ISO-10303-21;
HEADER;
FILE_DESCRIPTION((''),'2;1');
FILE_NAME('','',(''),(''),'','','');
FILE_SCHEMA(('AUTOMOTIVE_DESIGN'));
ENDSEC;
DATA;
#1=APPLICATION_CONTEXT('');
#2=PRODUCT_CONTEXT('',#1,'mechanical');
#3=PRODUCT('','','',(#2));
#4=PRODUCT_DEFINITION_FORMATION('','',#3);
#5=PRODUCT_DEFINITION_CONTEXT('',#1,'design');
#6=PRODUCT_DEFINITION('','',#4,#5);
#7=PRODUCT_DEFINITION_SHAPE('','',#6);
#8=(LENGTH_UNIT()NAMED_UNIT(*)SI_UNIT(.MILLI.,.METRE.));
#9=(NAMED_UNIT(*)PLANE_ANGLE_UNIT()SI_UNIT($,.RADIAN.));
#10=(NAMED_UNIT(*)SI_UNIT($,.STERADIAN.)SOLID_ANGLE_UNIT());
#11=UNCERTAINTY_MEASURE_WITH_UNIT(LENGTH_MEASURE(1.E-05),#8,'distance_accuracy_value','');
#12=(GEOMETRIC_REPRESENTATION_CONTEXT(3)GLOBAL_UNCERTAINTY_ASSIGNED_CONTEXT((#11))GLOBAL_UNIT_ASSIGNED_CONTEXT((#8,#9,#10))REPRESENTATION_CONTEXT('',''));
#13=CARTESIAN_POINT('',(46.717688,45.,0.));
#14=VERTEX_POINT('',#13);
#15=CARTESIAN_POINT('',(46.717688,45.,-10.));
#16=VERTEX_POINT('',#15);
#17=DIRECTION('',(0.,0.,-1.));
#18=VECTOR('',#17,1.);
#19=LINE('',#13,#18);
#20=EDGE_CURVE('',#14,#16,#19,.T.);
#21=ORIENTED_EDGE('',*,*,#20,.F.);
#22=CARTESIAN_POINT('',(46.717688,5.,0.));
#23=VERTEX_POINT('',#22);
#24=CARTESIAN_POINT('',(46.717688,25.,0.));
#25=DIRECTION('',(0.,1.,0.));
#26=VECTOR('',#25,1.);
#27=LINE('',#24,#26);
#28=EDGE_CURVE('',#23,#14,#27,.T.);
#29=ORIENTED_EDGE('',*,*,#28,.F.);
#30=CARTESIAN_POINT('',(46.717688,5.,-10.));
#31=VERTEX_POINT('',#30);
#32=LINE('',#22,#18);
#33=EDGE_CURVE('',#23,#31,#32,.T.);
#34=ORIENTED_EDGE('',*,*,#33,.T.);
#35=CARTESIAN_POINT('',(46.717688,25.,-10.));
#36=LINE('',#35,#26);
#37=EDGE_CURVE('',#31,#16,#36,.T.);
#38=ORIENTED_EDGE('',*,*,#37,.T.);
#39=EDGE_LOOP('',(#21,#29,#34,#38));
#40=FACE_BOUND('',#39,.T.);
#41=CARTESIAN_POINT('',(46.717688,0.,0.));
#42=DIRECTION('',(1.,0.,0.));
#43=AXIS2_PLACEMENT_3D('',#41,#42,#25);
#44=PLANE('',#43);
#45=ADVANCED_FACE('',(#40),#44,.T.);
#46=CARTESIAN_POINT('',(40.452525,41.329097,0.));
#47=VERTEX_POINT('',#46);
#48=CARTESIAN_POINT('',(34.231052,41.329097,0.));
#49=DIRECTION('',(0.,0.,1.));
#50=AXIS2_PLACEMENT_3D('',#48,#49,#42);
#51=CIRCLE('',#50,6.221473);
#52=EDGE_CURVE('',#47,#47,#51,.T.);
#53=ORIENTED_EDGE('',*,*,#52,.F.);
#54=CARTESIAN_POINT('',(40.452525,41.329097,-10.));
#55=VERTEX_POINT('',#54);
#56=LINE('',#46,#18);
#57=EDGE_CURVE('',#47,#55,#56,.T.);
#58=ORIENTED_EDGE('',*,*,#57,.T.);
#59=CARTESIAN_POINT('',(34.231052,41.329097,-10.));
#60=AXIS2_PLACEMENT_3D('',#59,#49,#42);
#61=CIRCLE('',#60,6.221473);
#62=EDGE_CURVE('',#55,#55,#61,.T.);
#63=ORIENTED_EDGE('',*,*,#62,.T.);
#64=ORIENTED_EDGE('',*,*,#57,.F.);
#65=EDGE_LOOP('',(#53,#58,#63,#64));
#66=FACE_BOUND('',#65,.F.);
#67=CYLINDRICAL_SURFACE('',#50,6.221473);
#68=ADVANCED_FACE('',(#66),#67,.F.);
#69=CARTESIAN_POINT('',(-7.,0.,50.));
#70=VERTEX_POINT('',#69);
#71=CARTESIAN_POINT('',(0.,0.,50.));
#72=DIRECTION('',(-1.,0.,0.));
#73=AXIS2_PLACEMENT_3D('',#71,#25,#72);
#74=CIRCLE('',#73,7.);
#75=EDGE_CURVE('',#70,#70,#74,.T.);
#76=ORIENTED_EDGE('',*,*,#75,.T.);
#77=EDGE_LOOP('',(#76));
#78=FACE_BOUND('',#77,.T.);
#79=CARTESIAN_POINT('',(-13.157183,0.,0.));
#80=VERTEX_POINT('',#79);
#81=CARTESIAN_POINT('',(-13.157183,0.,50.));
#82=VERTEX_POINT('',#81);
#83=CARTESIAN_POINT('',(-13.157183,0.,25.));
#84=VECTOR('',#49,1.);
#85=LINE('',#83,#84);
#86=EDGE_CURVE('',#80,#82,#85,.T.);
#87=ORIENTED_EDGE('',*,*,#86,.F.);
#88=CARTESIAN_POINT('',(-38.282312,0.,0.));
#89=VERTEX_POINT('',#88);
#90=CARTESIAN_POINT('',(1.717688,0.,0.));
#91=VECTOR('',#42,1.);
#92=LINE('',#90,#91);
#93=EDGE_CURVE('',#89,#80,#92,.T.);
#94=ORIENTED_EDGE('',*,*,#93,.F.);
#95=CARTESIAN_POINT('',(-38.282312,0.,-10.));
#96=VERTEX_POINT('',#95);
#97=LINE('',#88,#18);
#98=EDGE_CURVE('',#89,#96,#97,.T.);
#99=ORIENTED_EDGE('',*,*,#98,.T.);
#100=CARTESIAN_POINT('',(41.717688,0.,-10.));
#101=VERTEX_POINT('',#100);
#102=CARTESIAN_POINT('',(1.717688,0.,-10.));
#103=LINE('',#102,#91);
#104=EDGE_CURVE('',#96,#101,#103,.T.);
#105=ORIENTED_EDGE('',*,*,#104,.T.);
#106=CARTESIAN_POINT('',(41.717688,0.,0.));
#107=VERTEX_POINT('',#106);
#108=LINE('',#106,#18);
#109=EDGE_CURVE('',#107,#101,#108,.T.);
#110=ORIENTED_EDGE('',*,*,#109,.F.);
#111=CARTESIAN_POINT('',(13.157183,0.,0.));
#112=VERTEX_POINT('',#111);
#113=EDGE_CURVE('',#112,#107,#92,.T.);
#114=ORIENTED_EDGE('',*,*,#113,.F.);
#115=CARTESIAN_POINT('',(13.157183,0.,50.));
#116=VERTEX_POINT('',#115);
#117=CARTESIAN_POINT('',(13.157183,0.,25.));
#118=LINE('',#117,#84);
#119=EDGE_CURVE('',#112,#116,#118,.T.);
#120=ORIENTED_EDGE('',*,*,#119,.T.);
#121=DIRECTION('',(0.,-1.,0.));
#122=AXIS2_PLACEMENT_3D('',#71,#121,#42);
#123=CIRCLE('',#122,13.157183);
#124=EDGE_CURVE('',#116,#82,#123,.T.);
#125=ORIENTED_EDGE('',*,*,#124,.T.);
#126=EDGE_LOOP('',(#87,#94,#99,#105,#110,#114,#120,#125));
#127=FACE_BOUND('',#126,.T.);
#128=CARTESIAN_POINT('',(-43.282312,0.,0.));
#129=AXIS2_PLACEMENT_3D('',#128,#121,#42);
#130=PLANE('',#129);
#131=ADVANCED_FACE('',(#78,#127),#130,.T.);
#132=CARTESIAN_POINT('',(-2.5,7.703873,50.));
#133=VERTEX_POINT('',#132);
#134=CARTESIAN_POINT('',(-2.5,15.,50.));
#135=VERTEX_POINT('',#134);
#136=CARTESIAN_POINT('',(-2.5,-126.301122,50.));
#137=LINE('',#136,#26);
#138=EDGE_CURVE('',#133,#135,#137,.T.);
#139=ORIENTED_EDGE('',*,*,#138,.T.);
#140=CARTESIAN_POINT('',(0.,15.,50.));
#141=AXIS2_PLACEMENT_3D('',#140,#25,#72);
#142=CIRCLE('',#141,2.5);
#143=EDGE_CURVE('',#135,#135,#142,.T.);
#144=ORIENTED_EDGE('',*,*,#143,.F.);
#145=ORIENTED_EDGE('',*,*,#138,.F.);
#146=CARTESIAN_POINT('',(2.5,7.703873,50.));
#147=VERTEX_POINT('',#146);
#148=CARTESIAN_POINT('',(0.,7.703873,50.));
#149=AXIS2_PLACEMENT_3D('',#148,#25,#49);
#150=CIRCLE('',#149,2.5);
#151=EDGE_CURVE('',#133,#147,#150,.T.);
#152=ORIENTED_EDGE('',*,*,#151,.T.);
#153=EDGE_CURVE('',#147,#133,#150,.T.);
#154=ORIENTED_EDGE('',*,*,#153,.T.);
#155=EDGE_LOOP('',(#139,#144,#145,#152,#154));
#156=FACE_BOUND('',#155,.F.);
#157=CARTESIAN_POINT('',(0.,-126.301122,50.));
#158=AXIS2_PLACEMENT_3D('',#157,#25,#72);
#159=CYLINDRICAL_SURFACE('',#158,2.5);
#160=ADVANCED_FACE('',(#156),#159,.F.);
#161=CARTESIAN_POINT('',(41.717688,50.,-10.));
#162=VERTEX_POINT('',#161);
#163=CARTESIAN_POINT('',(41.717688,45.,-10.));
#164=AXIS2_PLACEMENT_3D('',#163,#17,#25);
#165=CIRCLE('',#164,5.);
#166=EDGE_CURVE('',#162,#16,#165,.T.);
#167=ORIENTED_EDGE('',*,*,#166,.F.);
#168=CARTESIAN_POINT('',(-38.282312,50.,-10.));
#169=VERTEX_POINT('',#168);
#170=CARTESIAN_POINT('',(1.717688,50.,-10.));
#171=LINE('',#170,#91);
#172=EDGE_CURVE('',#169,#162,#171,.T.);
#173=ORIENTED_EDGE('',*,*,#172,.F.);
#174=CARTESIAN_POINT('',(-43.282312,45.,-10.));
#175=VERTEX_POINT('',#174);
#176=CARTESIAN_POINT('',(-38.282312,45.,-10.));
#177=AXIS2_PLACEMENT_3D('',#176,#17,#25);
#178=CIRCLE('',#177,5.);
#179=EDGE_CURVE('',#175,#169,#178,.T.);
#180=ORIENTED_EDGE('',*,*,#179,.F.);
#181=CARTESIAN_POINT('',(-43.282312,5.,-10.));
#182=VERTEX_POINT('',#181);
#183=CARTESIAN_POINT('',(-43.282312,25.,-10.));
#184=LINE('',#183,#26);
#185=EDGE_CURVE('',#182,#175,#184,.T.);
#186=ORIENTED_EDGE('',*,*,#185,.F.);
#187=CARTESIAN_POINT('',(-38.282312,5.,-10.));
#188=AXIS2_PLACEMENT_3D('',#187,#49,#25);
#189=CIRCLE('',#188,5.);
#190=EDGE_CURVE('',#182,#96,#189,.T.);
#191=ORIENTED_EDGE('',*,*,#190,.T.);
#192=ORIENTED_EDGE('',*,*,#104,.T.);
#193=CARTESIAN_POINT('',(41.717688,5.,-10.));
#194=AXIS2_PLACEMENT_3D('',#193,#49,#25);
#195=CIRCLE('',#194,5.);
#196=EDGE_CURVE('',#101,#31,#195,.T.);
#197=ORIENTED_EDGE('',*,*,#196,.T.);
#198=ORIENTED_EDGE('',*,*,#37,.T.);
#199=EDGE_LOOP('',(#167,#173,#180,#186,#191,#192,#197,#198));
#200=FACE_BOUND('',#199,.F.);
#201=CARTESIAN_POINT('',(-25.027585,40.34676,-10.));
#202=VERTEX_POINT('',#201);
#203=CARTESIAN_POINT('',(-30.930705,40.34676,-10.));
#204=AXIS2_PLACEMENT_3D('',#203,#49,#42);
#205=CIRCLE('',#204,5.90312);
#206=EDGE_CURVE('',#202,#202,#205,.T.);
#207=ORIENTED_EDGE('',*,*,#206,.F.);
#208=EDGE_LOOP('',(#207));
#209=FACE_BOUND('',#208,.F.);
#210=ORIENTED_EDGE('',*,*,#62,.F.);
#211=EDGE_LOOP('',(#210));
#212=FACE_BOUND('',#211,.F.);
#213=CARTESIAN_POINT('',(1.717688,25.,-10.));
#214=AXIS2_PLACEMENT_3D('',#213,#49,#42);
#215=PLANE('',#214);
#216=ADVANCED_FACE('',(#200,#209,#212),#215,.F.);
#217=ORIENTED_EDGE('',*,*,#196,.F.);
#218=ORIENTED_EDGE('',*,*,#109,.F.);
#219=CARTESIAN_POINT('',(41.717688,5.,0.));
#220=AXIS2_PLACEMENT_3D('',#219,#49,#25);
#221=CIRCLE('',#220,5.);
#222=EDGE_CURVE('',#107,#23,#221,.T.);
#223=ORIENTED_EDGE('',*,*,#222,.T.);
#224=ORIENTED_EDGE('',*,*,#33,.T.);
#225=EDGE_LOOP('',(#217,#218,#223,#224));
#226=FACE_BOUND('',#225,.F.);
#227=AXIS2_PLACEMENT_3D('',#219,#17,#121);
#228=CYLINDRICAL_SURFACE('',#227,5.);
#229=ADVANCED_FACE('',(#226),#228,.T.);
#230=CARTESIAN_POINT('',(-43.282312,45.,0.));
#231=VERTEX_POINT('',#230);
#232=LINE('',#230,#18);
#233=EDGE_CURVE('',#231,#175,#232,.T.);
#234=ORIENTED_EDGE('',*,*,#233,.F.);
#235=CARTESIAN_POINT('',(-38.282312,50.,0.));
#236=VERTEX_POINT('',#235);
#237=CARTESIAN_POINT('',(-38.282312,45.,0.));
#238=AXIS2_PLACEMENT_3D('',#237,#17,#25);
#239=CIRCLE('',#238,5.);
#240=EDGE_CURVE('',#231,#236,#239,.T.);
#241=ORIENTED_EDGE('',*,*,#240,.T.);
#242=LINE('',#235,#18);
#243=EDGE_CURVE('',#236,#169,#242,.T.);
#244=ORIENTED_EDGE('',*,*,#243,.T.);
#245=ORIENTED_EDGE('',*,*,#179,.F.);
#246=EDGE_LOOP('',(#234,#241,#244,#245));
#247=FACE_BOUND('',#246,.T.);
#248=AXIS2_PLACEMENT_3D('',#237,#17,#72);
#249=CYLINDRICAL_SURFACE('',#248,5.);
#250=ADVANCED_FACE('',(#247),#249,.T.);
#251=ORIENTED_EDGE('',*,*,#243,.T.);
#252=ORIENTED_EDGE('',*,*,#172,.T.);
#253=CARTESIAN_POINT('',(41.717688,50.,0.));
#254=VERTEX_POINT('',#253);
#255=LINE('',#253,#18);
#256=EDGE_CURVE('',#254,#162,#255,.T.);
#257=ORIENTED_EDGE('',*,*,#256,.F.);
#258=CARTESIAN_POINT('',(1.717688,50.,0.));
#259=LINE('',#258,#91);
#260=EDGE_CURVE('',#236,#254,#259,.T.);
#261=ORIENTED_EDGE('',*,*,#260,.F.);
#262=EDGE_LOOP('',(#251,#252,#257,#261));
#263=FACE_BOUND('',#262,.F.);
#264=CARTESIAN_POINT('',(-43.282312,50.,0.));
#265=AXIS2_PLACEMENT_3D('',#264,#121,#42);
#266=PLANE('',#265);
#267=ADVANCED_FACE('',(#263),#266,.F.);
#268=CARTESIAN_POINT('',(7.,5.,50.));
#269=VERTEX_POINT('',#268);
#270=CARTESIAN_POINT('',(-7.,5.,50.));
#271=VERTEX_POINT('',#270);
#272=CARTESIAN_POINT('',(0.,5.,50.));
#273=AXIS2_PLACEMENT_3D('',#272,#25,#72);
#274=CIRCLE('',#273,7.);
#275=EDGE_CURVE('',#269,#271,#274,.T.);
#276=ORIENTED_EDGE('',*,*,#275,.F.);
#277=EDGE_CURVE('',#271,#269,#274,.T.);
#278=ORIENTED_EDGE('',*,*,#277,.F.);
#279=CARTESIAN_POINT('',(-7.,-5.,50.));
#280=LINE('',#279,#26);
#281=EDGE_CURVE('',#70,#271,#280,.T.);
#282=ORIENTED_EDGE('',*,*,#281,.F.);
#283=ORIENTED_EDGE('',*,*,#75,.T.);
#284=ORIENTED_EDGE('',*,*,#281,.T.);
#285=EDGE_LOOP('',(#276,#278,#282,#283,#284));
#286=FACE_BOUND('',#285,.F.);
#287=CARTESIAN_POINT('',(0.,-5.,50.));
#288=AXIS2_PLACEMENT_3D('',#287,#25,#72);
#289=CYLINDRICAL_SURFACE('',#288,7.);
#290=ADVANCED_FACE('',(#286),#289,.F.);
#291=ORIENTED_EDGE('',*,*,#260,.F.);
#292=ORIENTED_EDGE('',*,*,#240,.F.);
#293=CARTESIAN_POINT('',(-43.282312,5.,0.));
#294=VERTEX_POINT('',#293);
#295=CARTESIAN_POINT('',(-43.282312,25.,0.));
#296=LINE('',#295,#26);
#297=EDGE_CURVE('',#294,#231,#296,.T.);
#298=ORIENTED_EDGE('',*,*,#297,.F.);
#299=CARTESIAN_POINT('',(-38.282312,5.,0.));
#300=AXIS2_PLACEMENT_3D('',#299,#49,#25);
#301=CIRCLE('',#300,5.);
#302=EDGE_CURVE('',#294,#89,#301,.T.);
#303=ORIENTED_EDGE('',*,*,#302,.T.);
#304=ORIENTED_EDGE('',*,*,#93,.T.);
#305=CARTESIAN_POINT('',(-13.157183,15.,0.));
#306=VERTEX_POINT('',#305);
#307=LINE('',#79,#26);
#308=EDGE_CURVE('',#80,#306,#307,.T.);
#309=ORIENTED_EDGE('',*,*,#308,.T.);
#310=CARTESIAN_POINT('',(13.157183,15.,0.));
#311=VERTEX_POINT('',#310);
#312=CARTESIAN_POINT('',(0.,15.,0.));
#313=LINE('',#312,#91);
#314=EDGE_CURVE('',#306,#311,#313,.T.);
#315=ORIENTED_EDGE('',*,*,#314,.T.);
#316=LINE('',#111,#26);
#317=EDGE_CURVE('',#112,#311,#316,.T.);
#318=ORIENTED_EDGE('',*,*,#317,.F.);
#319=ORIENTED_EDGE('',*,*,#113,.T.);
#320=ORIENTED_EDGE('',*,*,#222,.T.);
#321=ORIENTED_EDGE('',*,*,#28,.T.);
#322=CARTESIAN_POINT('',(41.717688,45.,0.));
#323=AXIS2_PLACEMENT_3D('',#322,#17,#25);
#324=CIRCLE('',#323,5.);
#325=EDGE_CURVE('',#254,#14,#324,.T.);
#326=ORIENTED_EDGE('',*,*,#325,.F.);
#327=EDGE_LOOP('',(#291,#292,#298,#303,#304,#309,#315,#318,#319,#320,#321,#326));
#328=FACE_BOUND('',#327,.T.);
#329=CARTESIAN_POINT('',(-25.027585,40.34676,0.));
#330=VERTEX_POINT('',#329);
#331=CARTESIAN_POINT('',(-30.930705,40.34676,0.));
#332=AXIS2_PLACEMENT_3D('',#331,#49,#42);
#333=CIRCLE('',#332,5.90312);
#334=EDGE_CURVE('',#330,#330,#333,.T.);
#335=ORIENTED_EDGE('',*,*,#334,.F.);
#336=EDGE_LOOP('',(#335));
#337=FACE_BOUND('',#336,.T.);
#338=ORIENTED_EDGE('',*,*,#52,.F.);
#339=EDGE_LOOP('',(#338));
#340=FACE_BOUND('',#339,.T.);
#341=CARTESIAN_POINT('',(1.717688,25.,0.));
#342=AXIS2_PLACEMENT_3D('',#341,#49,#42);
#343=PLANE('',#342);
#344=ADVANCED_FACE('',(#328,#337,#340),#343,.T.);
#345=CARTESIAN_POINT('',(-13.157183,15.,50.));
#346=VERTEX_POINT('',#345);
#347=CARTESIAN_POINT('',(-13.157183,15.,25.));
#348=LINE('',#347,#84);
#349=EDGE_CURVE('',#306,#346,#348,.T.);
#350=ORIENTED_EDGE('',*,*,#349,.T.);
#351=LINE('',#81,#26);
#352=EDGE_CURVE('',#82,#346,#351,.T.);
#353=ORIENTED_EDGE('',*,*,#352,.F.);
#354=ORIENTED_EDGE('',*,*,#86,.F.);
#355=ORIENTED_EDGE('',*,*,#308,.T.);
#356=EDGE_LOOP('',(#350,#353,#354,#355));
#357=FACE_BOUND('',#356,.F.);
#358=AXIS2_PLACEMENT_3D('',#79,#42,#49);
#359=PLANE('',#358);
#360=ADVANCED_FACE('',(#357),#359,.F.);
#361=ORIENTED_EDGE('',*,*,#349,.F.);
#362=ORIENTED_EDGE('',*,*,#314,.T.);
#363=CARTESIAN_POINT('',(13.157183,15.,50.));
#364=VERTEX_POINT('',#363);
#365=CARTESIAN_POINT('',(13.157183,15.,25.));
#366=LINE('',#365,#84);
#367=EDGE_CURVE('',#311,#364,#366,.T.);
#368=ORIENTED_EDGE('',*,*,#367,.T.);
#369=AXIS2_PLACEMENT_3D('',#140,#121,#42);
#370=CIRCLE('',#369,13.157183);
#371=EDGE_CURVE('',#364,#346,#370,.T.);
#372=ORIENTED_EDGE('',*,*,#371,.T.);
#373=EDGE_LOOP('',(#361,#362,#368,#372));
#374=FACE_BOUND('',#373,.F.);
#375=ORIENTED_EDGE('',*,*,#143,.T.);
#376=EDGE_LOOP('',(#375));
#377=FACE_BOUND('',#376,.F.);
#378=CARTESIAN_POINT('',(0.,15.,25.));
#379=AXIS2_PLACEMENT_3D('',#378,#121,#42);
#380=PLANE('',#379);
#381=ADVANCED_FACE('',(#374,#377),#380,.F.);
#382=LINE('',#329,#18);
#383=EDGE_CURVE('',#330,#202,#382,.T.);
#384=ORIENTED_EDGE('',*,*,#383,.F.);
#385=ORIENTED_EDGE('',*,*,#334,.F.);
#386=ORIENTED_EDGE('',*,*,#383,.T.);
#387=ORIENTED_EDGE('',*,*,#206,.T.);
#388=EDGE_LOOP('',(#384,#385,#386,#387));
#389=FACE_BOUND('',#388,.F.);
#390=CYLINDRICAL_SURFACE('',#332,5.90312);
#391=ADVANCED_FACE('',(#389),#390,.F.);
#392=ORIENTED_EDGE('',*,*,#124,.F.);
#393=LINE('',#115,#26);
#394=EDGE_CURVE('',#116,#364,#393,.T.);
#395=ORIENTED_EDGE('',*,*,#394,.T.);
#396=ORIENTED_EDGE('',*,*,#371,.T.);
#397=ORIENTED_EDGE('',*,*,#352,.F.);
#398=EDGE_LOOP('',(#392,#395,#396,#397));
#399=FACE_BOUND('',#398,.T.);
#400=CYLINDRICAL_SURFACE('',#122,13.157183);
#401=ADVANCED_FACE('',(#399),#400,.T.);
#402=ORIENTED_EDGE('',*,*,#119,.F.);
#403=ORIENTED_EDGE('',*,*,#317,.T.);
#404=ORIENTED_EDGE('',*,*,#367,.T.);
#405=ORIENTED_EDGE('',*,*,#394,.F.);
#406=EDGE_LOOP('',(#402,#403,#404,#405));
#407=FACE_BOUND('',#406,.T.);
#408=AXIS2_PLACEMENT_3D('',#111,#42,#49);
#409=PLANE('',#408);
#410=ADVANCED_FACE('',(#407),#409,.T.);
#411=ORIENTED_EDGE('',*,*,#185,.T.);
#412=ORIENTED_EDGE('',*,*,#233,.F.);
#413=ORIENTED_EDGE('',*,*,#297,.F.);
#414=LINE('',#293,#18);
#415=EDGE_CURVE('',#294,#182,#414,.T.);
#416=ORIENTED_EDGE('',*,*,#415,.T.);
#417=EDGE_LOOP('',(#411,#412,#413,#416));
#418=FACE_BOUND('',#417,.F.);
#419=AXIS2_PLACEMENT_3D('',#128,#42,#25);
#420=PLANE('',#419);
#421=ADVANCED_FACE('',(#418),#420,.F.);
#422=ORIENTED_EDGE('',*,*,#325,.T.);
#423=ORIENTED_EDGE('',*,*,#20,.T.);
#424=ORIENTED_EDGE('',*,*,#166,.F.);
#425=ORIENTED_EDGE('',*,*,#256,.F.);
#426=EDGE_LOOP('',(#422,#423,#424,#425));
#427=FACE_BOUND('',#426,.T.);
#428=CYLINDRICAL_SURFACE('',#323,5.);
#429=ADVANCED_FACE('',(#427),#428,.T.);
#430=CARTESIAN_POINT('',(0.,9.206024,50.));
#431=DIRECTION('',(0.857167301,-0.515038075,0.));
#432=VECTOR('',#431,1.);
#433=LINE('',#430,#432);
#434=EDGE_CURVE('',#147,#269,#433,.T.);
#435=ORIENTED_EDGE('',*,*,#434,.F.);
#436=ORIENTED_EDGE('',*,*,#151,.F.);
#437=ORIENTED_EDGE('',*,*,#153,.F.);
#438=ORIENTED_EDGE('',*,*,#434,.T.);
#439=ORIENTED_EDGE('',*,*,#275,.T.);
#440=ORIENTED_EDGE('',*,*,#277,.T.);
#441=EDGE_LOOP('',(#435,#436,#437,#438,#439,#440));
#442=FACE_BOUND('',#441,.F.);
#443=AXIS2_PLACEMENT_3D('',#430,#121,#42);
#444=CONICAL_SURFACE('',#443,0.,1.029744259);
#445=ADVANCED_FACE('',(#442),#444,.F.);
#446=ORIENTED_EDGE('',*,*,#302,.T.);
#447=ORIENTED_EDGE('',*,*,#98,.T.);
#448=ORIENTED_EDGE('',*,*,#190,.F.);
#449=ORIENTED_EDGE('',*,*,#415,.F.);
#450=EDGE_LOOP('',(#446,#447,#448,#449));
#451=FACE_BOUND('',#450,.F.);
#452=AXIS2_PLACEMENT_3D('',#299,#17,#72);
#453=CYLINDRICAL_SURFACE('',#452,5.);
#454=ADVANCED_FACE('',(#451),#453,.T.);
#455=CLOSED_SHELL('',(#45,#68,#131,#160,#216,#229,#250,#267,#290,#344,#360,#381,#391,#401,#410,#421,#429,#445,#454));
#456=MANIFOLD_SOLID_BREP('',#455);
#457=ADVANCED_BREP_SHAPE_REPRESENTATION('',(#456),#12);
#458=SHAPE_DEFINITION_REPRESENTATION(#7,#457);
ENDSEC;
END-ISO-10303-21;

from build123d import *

# Parameters (mm, degrees)
F0_W     = 90
F0_H     = 50
F0_R     = 5.9031202678
F0_R_2   = 6.221473217
F2_DEPTH = 10
F1_W     = 26.3143666089
F1_H     = 50
F3_DEPTH = 15
F4_R     = 5
F5_D     = 14
F5_DEPTH = 5
F5_TIP   = 4.2060243332
F6_D     = 5


with BuildPart() as f2:
    # F0 (on Top) → F2 (new body)
    with BuildSketch(Plane.XY):
        with Locations((1.7176882843, 25)):
            Rectangle(F0_W, F0_H)
        with Locations((-30.9307053685, 40.3467603028)):
            Circle(F0_R, mode=Mode.SUBTRACT)
        with Locations((34.2310518026, 41.3290970027)):
            Circle(F0_R_2, mode=Mode.SUBTRACT)
    extrude(amount=-F2_DEPTH)

    # F1 (on Front) → F3 (join)
    with BuildSketch(Plane.XZ):
        with Locations((0, 25)):
            Rectangle(F1_W, F1_H)
        with BuildLine():
            Line((-13.1571833044, 50), (13.1571833044, 50))
            ThreePointArc((13.1571833044, 50), (0, 63.1571833044), (-13.1571833044, 50))
        make_face()
    extrude(amount=-F3_DEPTH)

    # F4
    f4_edges = [f2.edges().sort_by_distance(p)[0] for p in [
        (46.717688, 0, -5),
        (46.717688, 50, -5),
        (-43.282312, 50, -5),
        (-43.282312, 0, -5),
    ]]
    fillet(f4_edges, radius=F4_R)

    # F5
    with Locations(Plane.XZ):
        with Locations((0, 50)):
            Hole(F5_D / 2, depth=F5_DEPTH)
            with Locations((0, 0, -(F5_DEPTH + F5_TIP / 2))):  # 118° drill point
                Cone(0, F5_D / 2, F5_TIP, mode=Mode.SUBTRACT)

    # F6 (through all)
    with Locations(Plane.XZ):
        with Locations((0, 50)):
            Hole(F6_D / 2)


solid = f2.part
